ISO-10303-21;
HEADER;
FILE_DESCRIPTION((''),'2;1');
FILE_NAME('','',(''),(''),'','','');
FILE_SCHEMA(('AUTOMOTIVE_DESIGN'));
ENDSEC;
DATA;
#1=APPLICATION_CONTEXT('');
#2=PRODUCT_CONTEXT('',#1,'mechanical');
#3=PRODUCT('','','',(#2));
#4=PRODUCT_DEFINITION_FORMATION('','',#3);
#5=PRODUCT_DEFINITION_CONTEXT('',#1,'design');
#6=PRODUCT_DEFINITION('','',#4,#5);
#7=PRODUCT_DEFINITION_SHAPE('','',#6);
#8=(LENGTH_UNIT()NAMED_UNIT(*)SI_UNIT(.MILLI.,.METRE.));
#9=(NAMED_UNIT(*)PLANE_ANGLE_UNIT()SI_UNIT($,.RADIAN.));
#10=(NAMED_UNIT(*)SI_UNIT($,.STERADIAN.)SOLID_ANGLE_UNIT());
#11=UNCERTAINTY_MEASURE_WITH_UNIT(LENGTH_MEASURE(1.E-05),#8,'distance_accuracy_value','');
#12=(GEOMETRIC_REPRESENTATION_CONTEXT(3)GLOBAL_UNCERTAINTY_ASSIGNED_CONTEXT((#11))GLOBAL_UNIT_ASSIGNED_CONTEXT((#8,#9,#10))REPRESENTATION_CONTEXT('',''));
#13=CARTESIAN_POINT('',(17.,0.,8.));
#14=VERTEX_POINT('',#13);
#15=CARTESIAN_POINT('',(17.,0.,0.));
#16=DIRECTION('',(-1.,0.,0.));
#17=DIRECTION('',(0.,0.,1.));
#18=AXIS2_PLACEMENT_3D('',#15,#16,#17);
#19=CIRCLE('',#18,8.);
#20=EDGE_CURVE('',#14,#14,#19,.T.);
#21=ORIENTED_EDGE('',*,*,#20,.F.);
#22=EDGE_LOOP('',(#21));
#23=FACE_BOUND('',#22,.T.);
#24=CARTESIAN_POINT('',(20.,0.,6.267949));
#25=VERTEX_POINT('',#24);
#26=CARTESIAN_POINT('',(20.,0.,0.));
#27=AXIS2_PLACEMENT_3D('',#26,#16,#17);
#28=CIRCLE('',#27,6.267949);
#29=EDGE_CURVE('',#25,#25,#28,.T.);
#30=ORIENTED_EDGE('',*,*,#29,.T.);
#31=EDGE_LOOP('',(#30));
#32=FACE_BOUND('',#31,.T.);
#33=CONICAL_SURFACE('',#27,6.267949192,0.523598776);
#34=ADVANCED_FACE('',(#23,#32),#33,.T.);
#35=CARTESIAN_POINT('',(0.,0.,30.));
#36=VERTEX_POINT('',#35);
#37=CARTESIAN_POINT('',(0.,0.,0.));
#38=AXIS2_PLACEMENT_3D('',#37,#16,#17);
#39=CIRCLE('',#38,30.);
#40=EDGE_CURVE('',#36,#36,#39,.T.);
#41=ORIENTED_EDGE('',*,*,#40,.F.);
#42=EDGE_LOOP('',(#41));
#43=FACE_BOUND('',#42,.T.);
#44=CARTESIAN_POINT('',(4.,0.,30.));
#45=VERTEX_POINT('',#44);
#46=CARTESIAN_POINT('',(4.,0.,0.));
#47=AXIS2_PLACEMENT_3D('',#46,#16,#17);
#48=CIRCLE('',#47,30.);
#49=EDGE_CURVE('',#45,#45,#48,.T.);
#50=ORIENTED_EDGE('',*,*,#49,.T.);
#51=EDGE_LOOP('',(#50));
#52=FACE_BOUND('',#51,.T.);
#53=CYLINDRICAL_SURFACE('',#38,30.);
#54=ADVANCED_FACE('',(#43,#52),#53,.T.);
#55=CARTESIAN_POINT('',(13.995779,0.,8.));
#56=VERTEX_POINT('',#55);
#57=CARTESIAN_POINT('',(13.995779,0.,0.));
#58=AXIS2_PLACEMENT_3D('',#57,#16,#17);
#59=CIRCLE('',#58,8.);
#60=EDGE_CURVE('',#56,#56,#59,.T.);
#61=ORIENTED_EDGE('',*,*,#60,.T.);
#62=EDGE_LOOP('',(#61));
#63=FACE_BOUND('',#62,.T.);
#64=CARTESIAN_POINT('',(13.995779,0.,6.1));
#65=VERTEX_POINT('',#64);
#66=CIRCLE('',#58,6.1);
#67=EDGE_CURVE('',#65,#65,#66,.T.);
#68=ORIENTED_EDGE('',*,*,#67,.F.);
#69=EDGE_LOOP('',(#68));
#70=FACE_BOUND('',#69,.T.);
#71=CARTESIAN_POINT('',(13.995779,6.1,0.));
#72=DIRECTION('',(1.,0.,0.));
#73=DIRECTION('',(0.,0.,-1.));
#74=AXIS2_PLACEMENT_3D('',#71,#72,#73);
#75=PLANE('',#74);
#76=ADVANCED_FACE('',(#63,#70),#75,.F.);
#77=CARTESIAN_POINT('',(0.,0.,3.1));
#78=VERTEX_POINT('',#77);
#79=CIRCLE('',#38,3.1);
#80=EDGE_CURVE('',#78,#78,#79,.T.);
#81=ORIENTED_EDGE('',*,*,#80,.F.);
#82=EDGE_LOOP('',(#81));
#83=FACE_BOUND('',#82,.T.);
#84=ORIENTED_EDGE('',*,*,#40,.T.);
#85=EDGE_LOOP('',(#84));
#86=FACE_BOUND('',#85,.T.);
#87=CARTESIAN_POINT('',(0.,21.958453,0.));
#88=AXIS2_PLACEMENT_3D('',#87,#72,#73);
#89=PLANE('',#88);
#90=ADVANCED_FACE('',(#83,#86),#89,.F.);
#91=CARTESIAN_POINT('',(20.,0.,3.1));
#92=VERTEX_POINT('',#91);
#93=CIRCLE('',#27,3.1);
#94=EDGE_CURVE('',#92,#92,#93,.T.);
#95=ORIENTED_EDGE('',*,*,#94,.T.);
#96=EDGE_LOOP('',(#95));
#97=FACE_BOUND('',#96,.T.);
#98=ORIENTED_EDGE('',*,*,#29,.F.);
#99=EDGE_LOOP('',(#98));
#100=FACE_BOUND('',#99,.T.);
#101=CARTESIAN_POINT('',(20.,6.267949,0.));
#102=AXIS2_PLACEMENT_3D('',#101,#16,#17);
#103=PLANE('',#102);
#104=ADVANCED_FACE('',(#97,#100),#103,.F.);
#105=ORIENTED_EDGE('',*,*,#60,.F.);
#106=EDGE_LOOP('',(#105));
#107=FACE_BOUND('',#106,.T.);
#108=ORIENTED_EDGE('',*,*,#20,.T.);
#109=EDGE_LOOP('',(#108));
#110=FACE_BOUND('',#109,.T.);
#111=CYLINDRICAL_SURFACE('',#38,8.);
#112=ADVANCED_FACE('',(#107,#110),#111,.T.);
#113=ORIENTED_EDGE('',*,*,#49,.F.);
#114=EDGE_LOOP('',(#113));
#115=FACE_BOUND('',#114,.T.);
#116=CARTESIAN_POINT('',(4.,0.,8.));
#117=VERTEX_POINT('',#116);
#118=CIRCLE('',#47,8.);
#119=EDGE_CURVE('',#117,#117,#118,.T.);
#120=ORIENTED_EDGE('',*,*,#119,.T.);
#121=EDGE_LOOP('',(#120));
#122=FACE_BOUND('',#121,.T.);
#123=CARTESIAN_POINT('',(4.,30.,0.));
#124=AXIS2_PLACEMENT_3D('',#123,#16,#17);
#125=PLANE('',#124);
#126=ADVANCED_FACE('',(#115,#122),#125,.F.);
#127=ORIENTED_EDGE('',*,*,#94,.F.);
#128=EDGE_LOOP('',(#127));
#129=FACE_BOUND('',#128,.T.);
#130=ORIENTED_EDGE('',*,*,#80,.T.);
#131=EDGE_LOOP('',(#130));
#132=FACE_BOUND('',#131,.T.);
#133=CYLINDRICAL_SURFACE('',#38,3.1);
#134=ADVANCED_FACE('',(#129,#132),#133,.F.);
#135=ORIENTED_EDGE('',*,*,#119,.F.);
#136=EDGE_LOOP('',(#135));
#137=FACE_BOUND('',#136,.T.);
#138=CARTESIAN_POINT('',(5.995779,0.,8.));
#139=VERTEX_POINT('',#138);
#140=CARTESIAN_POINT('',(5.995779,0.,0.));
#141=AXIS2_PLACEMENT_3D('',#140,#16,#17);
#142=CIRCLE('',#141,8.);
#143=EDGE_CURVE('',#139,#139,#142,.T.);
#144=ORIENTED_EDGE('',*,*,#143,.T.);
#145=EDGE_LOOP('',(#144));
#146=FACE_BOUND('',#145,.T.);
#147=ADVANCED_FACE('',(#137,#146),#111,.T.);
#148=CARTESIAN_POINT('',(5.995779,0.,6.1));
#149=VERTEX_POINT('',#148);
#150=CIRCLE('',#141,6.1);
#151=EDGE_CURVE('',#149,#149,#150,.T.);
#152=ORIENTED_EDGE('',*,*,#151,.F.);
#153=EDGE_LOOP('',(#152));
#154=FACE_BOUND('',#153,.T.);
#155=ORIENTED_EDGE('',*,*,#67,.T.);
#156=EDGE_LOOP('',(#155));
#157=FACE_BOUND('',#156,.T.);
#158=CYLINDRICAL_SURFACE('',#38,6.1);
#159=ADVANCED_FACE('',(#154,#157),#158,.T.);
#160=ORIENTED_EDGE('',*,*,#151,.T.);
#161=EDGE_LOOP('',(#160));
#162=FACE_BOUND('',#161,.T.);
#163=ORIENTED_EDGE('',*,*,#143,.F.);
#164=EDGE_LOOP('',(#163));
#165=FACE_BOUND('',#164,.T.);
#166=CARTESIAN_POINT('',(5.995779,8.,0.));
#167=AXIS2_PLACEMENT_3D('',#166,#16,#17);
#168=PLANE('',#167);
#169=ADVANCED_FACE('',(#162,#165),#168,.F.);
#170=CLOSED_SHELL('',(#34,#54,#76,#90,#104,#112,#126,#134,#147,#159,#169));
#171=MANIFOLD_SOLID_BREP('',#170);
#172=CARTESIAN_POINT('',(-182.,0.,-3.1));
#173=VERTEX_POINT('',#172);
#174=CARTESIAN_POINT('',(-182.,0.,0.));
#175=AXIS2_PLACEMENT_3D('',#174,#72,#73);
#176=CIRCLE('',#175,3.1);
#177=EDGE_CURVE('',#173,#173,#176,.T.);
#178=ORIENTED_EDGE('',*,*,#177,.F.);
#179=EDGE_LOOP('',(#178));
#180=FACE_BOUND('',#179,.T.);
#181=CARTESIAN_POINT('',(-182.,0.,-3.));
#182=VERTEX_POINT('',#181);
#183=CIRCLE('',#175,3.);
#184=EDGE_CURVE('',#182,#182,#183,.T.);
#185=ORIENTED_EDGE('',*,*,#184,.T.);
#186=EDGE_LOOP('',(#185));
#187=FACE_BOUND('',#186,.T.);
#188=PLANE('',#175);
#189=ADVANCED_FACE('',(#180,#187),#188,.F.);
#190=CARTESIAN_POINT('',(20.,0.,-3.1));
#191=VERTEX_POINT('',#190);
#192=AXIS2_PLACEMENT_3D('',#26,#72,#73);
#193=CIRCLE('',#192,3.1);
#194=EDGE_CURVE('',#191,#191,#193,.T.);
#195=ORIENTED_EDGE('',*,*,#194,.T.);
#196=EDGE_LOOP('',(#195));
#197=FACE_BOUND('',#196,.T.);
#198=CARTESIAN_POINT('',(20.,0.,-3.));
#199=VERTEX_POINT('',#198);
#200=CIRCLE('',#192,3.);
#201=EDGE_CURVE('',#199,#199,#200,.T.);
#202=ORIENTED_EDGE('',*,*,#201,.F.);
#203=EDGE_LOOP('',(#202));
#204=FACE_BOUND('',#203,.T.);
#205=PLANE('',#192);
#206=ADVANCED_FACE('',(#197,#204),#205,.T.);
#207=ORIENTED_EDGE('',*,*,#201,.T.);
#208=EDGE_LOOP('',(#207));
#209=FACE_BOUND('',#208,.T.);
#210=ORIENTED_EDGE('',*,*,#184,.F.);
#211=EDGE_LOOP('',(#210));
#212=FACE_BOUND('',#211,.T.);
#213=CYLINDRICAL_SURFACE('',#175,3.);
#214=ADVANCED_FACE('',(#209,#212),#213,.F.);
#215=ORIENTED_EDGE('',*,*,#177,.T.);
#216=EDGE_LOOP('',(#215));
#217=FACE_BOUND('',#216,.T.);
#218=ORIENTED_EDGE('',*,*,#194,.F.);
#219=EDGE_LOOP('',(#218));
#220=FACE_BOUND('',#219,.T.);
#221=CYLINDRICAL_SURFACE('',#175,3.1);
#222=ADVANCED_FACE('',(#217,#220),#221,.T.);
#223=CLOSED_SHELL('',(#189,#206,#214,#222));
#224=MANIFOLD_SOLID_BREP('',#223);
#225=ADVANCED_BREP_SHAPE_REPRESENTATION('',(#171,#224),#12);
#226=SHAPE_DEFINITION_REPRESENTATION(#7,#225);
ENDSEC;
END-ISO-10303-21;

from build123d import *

# Parameters (mm, degrees)
SKETCH_3_R      = 3.1
SKETCH_3_R_2    = 3
EXTRUDE_1_DEPTH = 202


with BuildPart() as part:
    # Эскиз1 → Повернуть1 (revolve)
    with BuildSketch(Plane.XY, mode=Mode.PRIVATE) as revolve_1_sk:
        Polygon((0, 21.958452658), (0, 30), (4, 30), (4, 8), (5.995778665, 8), (5.995778665, 6.1), (13.995778665, 6.1), (13.995778665, 8), (17, 8), (20, 6.267949192), (20, 3.1), (0, 3.1), align=None)
    revolve(revolve_1_sk.sketch.rotate(Axis((0, 0, 0), (1, 0, 0)), 90), axis=Axis((0, 0, 0), (1, 0, 0)))


with BuildPart() as body_2:
    # Эскиз3 → Бобышка-Вытянуть1 (new body)
    with BuildSketch(Plane(origin=(20, 0, 0), x_dir=(0, 0, -1), z_dir=(1, 0, 0))):
        Circle(SKETCH_3_R)
        Circle(SKETCH_3_R_2, mode=Mode.SUBTRACT)
    extrude(amount=-EXTRUDE_1_DEPTH)


solid = Compound([part.part, body_2.part])
